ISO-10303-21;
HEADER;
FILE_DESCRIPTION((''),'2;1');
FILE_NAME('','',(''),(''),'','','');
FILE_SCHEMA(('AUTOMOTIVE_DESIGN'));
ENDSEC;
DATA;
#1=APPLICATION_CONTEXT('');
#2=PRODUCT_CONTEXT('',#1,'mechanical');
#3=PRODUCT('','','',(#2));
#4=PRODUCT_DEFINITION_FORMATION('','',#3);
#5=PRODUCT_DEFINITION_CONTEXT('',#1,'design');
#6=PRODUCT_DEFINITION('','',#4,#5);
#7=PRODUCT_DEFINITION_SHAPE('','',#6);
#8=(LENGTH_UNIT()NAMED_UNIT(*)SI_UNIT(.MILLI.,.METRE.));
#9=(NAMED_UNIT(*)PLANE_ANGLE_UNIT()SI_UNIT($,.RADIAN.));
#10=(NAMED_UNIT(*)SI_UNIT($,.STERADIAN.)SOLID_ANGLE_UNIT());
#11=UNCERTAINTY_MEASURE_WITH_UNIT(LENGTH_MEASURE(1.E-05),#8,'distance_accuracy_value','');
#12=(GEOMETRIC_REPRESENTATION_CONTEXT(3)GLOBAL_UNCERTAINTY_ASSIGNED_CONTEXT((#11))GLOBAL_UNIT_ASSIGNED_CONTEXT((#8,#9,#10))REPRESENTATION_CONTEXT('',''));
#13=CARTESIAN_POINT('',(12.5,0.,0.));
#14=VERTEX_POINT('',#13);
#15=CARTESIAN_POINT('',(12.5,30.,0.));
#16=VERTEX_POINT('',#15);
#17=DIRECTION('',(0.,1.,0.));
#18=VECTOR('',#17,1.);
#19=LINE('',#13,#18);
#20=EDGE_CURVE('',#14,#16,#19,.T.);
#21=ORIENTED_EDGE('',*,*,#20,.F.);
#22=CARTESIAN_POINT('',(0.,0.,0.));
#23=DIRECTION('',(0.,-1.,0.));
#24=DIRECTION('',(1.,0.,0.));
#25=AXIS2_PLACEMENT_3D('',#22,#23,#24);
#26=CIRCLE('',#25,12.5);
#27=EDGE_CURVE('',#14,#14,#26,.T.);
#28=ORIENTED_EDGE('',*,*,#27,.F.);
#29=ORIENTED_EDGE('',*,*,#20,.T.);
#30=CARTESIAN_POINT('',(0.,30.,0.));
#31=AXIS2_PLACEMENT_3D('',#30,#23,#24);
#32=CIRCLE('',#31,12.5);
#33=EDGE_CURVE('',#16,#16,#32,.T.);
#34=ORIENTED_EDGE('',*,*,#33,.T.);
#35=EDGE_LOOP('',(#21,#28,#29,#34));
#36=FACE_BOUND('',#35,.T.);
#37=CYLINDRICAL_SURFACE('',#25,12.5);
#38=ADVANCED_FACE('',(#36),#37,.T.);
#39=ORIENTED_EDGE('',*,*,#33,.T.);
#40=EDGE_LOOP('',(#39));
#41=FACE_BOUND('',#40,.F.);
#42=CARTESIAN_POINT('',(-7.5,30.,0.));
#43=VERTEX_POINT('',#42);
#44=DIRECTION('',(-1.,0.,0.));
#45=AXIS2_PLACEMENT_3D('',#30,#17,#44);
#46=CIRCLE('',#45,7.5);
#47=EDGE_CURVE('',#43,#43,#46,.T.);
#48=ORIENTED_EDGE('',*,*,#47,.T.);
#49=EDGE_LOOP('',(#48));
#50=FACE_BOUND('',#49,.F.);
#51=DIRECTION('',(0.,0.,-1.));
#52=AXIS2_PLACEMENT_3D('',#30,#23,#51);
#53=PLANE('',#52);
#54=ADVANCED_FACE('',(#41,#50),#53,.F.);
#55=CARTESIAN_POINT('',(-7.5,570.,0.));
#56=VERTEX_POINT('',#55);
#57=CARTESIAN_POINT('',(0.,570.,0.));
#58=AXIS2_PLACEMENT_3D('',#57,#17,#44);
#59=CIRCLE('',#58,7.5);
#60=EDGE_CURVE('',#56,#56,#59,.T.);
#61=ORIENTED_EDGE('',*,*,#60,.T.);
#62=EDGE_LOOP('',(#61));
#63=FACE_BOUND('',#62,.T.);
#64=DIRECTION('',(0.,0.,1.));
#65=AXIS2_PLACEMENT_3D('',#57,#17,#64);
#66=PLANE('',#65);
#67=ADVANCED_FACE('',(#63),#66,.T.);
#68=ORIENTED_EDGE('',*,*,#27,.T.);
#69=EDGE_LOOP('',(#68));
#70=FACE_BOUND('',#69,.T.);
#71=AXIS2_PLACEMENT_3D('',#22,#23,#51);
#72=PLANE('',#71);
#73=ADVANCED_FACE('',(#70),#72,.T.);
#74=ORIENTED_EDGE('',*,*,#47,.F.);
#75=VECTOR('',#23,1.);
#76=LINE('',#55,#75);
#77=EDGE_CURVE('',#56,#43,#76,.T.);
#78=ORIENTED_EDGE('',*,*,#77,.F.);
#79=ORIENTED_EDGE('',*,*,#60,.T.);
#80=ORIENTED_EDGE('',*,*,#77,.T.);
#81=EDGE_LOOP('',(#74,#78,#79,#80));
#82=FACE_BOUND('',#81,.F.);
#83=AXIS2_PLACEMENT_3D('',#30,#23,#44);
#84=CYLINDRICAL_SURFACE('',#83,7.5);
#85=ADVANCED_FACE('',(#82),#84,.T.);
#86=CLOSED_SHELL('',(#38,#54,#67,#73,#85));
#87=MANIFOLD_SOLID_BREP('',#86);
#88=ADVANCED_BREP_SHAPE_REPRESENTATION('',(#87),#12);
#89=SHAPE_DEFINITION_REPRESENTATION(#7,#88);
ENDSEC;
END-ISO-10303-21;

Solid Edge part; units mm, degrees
sketch "Sketch1" plane through (0, 0, 0) normal (0, -1, 0) x (1, 0, 0)
  circle A0 centre (0, 0) radius 12.5
extrude "Protrusion1" add sketch "Sketch1" against normal blind 30
sketch "Sketch2" plane through (0, 30, 0) normal (0, 1, 0) x (-1, 0, 0)
  circle A0 centre (0, 0) radius 7.5
extrude "ExtrudedProtrusion_2" add sketch "Sketch2" along normal blind 30
sketch "Sketch3" plane through (0, 60, 0) normal (0, 1, 0) x (-1, 0, 0)
  circle A0 centre (0, 0) radius 7.5
extrude "ExtrudedProtrusion_3" add sketch "Sketch3" along normal blind 510
